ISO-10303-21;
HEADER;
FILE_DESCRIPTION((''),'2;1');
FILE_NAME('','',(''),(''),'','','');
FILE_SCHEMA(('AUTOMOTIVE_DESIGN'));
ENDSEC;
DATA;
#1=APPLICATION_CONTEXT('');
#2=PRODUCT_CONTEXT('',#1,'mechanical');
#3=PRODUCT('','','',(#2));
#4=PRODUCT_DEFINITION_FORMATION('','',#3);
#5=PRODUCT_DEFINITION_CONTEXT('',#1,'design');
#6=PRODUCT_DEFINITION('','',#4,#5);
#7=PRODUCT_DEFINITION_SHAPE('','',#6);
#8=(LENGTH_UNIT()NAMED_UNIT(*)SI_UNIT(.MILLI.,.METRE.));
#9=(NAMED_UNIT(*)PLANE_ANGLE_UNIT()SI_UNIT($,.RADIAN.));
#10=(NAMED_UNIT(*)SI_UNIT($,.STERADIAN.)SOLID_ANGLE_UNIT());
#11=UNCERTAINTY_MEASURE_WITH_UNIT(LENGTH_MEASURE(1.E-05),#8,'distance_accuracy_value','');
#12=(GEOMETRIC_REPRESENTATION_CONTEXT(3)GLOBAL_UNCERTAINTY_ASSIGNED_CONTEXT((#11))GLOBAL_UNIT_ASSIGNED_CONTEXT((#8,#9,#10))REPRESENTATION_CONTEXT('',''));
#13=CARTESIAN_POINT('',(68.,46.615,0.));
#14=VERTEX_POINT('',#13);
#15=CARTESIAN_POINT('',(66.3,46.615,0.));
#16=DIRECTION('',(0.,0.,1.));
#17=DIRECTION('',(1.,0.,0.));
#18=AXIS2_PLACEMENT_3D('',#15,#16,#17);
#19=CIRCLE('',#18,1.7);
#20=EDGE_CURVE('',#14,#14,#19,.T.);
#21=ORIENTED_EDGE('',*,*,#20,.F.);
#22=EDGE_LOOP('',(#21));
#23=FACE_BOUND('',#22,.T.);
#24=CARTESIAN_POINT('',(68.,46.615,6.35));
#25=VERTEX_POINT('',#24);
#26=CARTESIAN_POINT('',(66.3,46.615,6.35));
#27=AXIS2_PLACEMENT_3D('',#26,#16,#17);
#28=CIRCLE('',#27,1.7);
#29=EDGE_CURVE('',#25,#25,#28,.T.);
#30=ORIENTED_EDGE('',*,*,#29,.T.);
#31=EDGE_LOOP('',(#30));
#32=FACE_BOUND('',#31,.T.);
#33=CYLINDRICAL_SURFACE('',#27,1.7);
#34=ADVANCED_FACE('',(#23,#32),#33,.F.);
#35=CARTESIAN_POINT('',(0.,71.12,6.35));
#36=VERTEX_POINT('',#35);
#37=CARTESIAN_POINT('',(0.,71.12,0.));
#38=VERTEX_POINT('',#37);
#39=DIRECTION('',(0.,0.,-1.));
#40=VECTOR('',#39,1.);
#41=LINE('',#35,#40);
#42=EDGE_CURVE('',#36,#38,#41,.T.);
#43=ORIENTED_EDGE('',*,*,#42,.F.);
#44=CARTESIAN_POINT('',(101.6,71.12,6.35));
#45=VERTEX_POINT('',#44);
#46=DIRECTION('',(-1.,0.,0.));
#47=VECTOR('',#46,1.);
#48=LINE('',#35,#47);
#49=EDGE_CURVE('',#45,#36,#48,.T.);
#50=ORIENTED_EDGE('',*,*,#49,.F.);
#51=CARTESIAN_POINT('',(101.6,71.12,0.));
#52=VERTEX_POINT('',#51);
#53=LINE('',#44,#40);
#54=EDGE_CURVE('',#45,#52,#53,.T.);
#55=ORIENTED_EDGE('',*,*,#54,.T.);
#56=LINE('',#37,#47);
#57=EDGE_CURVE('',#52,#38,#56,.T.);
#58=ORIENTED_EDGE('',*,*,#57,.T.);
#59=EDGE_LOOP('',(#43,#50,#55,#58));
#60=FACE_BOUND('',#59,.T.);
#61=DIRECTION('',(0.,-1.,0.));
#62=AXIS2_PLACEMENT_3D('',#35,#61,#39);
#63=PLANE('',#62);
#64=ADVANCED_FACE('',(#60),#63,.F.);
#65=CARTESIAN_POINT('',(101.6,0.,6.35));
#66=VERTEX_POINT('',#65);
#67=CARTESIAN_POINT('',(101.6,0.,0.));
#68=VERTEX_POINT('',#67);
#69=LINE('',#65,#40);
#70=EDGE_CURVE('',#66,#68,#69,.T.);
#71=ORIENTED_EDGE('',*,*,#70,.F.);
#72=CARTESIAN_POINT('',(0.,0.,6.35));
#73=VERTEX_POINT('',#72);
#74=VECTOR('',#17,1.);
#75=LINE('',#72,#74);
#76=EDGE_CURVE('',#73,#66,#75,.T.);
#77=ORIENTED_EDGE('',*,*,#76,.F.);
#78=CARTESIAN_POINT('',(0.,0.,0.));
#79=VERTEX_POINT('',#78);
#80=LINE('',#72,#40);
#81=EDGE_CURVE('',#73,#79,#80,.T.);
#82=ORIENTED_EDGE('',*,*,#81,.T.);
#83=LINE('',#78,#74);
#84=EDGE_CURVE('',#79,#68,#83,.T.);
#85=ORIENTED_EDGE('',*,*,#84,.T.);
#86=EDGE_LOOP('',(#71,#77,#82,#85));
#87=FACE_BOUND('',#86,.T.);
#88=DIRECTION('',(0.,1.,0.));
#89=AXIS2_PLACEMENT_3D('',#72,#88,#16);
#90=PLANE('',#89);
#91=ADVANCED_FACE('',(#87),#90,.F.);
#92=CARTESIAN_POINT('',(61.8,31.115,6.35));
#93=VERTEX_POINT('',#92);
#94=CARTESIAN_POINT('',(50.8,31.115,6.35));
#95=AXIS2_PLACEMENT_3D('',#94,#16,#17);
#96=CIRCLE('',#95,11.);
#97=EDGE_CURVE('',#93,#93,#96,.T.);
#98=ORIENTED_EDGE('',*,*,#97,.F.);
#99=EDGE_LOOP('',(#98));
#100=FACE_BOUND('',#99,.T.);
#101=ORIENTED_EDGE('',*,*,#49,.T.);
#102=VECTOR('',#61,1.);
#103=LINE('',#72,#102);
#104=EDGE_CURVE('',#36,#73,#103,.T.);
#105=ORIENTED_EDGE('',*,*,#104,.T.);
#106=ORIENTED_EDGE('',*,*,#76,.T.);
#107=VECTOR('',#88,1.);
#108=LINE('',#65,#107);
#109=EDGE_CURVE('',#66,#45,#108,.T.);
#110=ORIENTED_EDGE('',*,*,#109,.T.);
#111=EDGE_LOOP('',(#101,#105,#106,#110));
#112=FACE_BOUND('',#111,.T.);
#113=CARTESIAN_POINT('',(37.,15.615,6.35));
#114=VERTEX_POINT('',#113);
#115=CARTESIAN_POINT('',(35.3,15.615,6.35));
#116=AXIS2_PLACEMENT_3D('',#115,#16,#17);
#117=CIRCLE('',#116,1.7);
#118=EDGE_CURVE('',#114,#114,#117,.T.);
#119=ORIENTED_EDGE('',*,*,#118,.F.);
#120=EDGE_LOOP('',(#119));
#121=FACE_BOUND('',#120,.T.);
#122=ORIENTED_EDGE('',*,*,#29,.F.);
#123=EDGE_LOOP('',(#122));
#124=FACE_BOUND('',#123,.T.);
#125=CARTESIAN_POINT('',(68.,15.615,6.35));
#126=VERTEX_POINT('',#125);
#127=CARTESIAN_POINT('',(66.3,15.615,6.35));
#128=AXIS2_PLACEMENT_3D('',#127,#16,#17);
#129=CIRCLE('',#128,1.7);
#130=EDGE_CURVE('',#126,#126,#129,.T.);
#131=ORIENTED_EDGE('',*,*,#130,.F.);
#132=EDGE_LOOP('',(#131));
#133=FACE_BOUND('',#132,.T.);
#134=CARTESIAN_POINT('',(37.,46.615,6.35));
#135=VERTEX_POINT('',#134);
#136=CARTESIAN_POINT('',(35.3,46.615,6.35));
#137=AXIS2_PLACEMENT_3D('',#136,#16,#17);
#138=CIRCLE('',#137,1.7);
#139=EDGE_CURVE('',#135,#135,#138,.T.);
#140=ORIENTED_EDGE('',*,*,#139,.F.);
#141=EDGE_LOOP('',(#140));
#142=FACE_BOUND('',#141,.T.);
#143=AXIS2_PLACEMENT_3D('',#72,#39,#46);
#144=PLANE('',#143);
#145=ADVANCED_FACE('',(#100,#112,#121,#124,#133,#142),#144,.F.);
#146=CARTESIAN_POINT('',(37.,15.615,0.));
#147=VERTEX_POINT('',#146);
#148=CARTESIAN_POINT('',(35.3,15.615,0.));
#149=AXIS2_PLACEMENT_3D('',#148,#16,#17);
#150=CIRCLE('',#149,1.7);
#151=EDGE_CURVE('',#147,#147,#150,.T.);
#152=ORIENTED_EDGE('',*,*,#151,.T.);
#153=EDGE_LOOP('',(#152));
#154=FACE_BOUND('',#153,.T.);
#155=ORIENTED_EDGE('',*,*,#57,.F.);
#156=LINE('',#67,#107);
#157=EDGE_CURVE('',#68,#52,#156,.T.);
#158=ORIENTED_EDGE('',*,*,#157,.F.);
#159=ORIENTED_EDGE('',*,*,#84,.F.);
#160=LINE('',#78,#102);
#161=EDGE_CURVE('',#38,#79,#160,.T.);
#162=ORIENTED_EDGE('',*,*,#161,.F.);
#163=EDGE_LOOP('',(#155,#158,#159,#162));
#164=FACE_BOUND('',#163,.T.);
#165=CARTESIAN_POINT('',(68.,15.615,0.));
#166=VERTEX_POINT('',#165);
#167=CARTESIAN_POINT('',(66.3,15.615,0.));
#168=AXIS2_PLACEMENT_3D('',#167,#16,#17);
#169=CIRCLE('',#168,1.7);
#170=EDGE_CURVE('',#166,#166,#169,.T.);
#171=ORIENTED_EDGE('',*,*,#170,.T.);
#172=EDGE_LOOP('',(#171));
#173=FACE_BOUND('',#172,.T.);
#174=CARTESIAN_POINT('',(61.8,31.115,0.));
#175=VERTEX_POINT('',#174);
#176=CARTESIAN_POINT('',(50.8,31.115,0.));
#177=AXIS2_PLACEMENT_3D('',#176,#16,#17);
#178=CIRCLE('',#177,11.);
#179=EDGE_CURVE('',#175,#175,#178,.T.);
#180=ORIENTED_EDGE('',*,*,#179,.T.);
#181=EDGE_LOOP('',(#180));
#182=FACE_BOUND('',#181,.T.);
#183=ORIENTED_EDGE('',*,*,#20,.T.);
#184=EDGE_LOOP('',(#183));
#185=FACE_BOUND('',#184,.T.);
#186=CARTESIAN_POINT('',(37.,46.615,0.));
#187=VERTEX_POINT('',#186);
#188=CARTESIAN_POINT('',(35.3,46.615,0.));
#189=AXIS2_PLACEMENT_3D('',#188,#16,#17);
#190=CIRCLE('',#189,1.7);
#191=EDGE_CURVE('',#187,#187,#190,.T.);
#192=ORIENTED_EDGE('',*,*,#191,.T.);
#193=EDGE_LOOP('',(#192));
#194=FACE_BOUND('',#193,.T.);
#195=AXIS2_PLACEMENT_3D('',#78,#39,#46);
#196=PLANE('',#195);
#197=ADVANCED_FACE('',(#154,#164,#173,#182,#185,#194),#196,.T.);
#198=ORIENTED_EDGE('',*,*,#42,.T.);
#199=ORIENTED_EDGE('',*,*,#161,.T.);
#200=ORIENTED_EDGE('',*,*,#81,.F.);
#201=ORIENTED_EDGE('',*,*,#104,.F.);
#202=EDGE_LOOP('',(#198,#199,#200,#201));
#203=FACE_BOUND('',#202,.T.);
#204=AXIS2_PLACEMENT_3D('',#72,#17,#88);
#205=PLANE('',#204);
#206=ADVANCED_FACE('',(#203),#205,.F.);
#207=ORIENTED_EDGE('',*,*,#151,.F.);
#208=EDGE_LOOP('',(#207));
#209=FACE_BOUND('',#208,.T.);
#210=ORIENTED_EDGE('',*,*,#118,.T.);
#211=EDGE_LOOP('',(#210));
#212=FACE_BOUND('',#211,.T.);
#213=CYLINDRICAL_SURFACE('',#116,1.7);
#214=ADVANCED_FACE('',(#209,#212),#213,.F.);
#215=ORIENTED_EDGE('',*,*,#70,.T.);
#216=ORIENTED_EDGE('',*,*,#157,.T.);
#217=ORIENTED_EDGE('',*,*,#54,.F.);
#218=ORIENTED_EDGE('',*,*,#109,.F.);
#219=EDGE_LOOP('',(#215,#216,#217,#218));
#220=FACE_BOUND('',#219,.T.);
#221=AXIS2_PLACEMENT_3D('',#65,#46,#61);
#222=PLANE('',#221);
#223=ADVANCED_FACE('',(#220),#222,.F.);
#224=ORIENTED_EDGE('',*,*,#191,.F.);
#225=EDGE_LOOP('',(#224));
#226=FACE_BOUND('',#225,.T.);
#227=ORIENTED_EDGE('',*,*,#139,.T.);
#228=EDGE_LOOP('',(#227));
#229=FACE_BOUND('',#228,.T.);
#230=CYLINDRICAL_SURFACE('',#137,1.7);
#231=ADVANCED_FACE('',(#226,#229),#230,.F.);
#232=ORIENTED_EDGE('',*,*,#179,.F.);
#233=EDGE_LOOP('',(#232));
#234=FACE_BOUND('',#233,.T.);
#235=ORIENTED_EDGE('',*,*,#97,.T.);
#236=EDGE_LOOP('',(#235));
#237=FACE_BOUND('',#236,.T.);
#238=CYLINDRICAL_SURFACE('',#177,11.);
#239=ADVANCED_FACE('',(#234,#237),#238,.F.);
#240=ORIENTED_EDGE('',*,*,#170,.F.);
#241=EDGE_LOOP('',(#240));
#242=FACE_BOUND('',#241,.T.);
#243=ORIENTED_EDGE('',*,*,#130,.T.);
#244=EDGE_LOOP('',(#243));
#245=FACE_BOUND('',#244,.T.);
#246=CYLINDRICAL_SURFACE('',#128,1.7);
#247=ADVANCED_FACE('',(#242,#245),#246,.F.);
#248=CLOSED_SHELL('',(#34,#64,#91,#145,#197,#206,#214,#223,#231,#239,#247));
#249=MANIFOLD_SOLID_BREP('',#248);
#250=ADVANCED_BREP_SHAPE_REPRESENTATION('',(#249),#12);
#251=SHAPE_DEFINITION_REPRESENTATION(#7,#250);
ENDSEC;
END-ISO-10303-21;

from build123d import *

# Parameters (mm, degrees)
SKETCH1_W              = 101.6
SKETCH1_H              = 71.12
BASE_DEPTH             = 6.35
MOTOR_MOUNTING_HOLES_D = 3.4
SKETCH4_R              = 11
CUT_EXTRUDE1_DEPTH     = 125.181064982


with BuildPart() as part:
    # Sketch1 → base (new body)
    with BuildSketch(Plane.XY):
        with Locations((50.8, 35.56)):
            Rectangle(SKETCH1_W, SKETCH1_H)
    extrude(amount=BASE_DEPTH)

    # motor mounting holes (through all)
    with Locations(Plane.XY.offset(6.35)):
        with Locations((35.3, 46.615), (66.3, 15.615), (35.3, 15.615), (66.3, 46.615)):
            Hole(MOTOR_MOUNTING_HOLES_D / 2)

    # Sketch4 → Cut-Extrude1 (cut, through all)
    with BuildSketch(Plane.XY.offset(6.35)):
        with Locations((50.8, 31.115)):
            Circle(SKETCH4_R)
    extrude(amount=-CUT_EXTRUDE1_DEPTH, mode=Mode.SUBTRACT)


solid = part.part
